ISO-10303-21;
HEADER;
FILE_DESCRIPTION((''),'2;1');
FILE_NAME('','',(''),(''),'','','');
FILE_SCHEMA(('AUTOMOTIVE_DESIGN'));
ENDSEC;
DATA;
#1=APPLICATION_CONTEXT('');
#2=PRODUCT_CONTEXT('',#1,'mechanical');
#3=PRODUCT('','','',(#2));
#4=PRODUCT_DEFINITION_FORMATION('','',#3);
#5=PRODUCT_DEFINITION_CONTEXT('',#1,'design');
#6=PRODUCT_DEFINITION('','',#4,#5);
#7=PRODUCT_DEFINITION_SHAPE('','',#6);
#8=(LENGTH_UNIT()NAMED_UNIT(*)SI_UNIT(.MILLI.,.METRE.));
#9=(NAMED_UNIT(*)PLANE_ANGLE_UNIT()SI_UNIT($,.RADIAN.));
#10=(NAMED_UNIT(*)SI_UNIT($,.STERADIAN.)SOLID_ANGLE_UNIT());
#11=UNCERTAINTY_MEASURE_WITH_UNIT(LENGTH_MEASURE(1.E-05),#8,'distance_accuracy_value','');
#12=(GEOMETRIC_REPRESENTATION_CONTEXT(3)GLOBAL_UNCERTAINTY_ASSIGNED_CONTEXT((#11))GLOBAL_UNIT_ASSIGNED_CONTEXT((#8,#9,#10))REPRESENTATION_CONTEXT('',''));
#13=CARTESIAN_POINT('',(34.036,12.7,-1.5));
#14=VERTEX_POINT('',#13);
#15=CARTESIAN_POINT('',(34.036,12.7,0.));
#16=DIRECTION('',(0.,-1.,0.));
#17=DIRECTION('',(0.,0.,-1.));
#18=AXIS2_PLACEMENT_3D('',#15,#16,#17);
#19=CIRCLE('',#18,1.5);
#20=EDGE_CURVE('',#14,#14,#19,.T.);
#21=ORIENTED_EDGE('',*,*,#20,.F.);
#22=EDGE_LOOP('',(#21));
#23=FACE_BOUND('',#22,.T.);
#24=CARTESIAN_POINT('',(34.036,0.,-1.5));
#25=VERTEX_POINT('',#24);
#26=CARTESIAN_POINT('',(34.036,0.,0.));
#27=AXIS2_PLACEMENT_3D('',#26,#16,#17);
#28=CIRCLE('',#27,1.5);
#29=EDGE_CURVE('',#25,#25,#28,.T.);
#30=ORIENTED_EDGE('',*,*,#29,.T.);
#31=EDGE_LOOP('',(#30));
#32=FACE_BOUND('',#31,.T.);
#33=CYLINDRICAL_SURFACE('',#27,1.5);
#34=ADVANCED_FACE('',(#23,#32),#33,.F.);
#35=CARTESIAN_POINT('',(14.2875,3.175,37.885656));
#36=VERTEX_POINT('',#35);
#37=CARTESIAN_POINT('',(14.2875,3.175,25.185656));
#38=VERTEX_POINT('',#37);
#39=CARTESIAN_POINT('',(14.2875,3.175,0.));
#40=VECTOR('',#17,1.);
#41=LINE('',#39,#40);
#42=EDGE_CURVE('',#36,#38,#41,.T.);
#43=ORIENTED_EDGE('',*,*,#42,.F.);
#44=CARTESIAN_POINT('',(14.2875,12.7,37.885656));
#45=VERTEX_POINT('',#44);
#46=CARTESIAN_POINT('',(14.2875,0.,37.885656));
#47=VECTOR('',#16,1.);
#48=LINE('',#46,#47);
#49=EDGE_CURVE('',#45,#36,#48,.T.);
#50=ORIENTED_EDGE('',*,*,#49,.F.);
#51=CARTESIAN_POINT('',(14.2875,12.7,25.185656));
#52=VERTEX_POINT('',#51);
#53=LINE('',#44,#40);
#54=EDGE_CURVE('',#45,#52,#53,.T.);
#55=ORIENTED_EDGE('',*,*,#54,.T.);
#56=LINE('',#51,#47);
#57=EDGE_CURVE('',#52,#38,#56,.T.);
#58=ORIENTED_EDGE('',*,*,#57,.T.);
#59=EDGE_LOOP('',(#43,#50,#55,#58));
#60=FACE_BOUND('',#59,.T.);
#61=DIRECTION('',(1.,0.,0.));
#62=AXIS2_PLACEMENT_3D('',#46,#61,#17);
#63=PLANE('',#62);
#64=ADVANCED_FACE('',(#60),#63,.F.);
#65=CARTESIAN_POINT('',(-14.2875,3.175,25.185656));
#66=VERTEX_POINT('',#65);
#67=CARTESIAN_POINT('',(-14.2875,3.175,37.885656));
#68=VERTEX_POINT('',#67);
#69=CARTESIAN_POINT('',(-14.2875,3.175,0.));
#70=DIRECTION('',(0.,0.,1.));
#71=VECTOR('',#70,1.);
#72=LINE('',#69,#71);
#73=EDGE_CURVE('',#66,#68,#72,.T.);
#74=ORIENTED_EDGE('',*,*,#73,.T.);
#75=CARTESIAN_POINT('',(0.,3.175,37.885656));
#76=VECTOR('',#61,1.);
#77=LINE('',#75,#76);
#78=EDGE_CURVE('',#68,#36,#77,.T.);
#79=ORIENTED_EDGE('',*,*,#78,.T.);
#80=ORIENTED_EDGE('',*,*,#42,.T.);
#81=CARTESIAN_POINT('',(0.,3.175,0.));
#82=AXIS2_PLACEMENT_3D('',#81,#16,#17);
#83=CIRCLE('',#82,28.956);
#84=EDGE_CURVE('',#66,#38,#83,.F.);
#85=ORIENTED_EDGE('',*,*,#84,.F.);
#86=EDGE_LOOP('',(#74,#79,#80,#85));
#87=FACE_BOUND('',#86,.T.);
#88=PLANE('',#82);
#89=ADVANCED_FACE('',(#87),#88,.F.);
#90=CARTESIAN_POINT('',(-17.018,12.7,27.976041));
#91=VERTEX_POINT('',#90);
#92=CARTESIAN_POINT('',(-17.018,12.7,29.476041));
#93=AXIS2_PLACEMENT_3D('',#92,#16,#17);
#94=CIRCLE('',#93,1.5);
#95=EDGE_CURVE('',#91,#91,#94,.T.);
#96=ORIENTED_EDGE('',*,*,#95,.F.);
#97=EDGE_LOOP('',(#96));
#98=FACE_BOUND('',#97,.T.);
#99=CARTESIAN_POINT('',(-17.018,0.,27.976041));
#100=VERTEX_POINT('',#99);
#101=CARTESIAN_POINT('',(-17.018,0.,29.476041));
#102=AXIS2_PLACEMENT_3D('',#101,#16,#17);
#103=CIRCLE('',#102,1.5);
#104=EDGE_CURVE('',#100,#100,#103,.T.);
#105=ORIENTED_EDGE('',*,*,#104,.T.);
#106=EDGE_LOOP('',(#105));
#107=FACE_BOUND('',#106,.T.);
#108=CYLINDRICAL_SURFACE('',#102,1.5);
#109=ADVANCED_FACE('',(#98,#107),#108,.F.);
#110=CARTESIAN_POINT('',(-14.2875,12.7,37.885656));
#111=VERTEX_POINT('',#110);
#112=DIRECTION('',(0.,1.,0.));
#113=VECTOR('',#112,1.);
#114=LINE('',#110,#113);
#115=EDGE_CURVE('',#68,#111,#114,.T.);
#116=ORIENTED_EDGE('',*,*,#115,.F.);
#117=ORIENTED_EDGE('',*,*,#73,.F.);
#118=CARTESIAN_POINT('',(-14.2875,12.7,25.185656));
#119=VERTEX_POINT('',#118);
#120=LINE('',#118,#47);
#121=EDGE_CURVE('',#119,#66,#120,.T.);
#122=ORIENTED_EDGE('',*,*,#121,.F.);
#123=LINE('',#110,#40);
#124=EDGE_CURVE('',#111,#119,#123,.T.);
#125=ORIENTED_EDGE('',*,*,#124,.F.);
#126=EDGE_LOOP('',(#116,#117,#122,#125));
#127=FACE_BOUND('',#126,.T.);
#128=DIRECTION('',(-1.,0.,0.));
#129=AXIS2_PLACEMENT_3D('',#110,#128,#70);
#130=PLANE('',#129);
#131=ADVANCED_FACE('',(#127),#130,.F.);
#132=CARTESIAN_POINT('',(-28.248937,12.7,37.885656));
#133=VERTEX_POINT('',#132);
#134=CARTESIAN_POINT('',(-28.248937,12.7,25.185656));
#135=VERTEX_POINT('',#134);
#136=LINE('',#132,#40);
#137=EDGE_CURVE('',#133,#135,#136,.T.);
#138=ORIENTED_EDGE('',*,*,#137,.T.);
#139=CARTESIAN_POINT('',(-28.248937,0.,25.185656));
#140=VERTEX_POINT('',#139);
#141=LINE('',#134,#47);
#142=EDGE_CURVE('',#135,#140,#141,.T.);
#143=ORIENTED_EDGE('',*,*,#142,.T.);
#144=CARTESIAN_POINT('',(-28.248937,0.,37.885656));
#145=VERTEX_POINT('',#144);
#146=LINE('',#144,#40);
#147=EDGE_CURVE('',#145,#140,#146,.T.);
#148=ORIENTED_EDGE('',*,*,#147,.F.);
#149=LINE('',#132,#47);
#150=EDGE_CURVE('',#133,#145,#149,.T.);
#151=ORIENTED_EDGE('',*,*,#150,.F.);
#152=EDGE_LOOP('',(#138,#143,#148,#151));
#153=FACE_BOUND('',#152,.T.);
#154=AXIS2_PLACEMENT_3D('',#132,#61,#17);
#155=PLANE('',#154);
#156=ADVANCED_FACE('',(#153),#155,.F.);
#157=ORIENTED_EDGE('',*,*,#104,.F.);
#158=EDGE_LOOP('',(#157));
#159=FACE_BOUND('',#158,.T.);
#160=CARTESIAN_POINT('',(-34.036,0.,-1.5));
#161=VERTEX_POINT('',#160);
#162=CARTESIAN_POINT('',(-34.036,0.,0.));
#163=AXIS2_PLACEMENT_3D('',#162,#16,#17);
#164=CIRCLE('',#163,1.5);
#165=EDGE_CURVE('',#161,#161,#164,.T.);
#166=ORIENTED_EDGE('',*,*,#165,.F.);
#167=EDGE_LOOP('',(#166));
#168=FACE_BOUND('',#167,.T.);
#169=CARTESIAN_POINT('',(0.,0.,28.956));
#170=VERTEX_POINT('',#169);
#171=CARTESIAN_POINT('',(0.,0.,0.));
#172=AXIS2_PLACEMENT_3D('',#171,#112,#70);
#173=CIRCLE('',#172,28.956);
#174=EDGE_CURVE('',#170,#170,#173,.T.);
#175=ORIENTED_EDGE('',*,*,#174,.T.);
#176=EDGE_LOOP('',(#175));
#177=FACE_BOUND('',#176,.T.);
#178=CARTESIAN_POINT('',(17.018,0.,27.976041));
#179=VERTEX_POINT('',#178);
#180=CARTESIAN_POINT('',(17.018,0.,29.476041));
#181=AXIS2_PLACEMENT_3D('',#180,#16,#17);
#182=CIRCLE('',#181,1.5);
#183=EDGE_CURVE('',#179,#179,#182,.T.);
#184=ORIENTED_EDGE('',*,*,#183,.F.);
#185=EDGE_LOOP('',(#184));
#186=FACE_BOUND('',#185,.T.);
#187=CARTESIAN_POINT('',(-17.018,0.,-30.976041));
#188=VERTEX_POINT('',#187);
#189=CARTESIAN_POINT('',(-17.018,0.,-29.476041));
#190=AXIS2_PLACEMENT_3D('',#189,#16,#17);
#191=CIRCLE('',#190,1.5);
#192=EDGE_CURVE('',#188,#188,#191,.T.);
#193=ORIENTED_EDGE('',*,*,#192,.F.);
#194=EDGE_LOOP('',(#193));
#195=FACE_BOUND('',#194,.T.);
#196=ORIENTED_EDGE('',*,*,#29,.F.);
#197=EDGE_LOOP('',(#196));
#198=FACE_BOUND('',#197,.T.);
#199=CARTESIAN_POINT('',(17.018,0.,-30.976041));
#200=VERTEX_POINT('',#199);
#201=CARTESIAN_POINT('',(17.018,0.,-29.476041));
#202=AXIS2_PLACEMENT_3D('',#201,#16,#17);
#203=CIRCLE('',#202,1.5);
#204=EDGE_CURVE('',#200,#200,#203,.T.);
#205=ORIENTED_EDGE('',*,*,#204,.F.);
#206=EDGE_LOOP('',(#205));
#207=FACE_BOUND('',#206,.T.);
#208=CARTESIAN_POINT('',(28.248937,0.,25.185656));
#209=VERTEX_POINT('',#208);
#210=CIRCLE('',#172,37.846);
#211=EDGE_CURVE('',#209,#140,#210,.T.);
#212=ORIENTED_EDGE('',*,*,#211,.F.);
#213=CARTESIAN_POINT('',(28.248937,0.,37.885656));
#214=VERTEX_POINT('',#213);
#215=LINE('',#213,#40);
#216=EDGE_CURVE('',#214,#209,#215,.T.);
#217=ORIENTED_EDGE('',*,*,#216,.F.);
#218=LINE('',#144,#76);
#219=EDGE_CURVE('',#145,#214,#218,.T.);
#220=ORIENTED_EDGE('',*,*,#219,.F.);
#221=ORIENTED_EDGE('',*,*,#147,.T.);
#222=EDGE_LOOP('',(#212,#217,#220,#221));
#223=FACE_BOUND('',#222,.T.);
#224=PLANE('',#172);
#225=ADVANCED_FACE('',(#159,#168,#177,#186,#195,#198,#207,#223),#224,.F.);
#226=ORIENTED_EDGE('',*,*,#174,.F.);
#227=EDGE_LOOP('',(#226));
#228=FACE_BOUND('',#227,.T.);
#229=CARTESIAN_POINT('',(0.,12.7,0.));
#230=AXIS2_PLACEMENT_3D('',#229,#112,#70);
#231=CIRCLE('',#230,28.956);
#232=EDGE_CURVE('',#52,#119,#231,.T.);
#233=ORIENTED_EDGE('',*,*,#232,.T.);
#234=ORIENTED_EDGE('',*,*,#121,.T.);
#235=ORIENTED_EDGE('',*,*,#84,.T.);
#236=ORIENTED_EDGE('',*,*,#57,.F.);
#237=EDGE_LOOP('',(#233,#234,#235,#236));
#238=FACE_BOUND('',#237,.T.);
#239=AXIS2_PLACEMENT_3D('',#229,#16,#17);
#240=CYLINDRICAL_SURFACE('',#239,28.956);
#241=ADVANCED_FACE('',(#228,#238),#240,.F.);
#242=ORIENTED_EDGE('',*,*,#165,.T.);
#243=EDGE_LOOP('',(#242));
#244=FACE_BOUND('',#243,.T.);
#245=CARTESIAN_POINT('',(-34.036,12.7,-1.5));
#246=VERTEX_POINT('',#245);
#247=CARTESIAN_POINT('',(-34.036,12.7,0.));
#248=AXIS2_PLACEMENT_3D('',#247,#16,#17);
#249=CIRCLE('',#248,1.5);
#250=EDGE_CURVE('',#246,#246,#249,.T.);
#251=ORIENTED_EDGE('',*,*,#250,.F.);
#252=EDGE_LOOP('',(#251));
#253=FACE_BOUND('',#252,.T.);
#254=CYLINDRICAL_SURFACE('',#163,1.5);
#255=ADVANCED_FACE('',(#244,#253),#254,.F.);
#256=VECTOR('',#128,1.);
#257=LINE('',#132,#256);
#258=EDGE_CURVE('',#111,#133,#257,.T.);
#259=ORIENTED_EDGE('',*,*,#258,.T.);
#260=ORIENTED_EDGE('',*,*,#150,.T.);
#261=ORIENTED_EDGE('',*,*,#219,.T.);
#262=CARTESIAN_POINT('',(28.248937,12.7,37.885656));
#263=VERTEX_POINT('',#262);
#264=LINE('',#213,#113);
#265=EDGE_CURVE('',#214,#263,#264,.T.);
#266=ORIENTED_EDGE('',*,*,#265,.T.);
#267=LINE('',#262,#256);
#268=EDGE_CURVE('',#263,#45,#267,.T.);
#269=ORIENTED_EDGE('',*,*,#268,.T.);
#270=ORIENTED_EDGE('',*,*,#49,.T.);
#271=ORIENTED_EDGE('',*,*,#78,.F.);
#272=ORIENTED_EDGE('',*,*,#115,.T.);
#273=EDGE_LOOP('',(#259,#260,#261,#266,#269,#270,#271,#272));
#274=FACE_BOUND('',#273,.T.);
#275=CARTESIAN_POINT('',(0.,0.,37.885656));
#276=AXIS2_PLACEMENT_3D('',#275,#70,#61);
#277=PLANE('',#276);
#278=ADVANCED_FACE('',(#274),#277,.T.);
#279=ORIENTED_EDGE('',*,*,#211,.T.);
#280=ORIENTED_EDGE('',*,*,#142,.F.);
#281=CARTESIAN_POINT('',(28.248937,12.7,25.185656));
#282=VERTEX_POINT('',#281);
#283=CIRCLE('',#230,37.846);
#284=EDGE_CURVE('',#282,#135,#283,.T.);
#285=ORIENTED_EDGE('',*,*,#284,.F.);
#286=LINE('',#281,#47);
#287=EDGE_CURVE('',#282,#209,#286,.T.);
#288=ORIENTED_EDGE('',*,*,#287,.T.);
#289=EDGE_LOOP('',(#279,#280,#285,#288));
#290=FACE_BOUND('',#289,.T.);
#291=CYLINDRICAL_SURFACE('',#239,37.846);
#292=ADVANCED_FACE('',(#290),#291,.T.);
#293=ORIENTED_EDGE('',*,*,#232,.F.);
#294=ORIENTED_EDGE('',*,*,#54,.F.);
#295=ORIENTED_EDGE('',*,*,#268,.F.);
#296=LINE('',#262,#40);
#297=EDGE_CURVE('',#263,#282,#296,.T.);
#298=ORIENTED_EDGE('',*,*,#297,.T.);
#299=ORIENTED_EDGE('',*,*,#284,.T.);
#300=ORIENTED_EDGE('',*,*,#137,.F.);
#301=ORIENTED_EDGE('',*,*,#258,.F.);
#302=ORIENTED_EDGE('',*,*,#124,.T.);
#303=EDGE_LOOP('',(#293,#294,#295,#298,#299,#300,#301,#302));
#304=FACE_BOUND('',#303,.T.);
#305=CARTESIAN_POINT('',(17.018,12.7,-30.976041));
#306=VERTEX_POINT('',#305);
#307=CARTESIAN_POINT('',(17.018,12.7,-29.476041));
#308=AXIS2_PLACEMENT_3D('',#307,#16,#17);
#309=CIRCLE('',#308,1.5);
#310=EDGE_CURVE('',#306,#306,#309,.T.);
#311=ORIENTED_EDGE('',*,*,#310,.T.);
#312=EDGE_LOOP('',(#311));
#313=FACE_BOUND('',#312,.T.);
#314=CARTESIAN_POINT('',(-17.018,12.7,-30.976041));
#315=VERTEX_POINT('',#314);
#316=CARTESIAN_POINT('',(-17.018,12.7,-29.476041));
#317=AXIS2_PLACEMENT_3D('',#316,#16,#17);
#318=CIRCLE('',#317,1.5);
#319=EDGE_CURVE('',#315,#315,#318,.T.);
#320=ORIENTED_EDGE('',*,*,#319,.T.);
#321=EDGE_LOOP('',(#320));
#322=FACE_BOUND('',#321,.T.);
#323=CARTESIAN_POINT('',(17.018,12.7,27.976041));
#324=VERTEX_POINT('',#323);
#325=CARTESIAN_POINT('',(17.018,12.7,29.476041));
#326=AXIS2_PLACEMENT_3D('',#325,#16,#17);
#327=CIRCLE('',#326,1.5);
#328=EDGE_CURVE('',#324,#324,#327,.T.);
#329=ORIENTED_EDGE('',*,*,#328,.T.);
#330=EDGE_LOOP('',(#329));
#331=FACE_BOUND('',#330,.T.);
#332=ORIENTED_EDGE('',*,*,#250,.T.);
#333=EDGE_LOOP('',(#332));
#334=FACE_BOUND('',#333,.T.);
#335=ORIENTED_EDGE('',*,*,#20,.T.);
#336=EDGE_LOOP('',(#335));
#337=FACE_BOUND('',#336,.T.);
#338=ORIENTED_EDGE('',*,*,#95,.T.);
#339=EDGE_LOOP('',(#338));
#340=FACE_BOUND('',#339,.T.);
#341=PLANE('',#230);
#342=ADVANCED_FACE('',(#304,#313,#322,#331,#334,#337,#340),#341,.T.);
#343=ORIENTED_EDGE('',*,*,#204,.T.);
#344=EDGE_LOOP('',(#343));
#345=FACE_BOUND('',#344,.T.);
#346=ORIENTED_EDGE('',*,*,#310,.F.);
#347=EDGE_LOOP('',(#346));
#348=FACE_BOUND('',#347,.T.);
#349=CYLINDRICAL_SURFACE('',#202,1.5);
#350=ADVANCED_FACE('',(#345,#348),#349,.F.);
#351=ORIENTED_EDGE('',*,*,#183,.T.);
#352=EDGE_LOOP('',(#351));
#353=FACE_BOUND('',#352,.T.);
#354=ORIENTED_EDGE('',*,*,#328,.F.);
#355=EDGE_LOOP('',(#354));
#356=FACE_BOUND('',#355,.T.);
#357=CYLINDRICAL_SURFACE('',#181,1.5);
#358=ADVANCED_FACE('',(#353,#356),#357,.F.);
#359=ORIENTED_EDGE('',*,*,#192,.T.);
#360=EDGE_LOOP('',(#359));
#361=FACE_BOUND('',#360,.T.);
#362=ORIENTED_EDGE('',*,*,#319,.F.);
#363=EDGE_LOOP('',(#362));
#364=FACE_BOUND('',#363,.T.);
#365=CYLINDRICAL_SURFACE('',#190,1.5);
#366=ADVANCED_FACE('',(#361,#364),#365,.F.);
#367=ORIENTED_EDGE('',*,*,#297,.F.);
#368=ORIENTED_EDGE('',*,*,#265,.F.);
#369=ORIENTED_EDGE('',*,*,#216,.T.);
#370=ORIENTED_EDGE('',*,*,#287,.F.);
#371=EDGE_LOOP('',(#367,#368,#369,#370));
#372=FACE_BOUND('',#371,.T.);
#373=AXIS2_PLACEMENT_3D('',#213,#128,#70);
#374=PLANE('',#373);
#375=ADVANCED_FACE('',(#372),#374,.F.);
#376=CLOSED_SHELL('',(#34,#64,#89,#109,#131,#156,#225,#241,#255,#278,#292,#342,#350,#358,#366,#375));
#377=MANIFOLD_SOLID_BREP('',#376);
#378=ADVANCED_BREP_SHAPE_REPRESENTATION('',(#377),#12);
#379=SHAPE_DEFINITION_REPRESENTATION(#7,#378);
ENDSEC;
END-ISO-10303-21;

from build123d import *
from build123d.topology import SkipClean

# Parameters (mm, degrees)
BOSS_EXTRUDE1_DEPTH   = 12.7
SKETCH5_W             = 13.961436905
SKETCH5_H             = 12.7
BOSS_EXTRUDE3_DEPTH   = 12.7
F_3_0MM_DOWEL_HOLE1_D = 3
BOSS_EXTRUDE4_DEPTH   = 3.175


with BuildPart() as part:
    # Sketch1 → Boss-Extrude1 (new body)
    with BuildSketch(Plane(origin=(0, 0, 0), x_dir=(1, 0, 0), z_dir=(0, 1, 0))):
        with BuildLine():
            ThreePointArc((28.956, 0), (25.021578547, -14.572938722), (14.2875, -25.18565623))
            Line((14.2875, -25.18565623), (28.248936905, -25.18565623))
            ThreePointArc((28.248936905, -25.18565623), (35.365442045, -13.476098284), (37.846, 0))
            ThreePointArc((37.846, 0), (-13.476098284, 35.365442045), (-28.248936905, -25.18565623))
            Line((-28.248936905, -25.18565623), (-14.2875, -25.18565623))
            ThreePointArc((-14.2875, -25.18565623), (-14.572938722, 25.021578547), (28.956, 0))
        make_face()
    extrude(amount=BOSS_EXTRUDE1_DEPTH)

    # Sketch5 → Boss-Extrude3 (add)
    with BuildSketch(Plane.XY.offset(25.18565623)):
        with Locations((-21.268218453, 6.35)):
            Rectangle(SKETCH5_W, SKETCH5_H)
        with Locations((21.268218453, 6.35)):
            Rectangle(SKETCH5_W, SKETCH5_H)
    extrude(amount=BOSS_EXTRUDE3_DEPTH)

    # Ø3.0mm Dowel Hole1 (through all)
    with Locations(Plane(origin=(0, 0, 0), x_dir=(-1, 0, 0), z_dir=(0, -1, 0))):
        with Locations((-17.018, 29.476040643), (-34.036, 0), (17.018, 29.476040643), (34.036, 0), (17.018, -29.476040643), (-17.018, -29.476040643)):
            Hole(F_3_0MM_DOWEL_HOLE1_D / 2)

    # Sketch11 → Boss-Extrude4 (add)
    with SkipClean():  # the faces are left unmerged after this step: merging them gives an invalid solid
        with BuildSketch(Plane.XZ):
            with BuildLine():
                ThreePointArc((-14.2875, 25.18565623), (0, 28.956), (14.2875, 25.18565623))
                Line((14.2875, 25.18565623), (14.2875, 37.88565623))
                Line((14.2875, 37.88565623), (-14.2875, 37.88565623))
                Line((-14.2875, 37.88565623), (-14.2875, 25.18565623))
            make_face()
        extrude(amount=-BOSS_EXTRUDE4_DEPTH)


solid = part.part
